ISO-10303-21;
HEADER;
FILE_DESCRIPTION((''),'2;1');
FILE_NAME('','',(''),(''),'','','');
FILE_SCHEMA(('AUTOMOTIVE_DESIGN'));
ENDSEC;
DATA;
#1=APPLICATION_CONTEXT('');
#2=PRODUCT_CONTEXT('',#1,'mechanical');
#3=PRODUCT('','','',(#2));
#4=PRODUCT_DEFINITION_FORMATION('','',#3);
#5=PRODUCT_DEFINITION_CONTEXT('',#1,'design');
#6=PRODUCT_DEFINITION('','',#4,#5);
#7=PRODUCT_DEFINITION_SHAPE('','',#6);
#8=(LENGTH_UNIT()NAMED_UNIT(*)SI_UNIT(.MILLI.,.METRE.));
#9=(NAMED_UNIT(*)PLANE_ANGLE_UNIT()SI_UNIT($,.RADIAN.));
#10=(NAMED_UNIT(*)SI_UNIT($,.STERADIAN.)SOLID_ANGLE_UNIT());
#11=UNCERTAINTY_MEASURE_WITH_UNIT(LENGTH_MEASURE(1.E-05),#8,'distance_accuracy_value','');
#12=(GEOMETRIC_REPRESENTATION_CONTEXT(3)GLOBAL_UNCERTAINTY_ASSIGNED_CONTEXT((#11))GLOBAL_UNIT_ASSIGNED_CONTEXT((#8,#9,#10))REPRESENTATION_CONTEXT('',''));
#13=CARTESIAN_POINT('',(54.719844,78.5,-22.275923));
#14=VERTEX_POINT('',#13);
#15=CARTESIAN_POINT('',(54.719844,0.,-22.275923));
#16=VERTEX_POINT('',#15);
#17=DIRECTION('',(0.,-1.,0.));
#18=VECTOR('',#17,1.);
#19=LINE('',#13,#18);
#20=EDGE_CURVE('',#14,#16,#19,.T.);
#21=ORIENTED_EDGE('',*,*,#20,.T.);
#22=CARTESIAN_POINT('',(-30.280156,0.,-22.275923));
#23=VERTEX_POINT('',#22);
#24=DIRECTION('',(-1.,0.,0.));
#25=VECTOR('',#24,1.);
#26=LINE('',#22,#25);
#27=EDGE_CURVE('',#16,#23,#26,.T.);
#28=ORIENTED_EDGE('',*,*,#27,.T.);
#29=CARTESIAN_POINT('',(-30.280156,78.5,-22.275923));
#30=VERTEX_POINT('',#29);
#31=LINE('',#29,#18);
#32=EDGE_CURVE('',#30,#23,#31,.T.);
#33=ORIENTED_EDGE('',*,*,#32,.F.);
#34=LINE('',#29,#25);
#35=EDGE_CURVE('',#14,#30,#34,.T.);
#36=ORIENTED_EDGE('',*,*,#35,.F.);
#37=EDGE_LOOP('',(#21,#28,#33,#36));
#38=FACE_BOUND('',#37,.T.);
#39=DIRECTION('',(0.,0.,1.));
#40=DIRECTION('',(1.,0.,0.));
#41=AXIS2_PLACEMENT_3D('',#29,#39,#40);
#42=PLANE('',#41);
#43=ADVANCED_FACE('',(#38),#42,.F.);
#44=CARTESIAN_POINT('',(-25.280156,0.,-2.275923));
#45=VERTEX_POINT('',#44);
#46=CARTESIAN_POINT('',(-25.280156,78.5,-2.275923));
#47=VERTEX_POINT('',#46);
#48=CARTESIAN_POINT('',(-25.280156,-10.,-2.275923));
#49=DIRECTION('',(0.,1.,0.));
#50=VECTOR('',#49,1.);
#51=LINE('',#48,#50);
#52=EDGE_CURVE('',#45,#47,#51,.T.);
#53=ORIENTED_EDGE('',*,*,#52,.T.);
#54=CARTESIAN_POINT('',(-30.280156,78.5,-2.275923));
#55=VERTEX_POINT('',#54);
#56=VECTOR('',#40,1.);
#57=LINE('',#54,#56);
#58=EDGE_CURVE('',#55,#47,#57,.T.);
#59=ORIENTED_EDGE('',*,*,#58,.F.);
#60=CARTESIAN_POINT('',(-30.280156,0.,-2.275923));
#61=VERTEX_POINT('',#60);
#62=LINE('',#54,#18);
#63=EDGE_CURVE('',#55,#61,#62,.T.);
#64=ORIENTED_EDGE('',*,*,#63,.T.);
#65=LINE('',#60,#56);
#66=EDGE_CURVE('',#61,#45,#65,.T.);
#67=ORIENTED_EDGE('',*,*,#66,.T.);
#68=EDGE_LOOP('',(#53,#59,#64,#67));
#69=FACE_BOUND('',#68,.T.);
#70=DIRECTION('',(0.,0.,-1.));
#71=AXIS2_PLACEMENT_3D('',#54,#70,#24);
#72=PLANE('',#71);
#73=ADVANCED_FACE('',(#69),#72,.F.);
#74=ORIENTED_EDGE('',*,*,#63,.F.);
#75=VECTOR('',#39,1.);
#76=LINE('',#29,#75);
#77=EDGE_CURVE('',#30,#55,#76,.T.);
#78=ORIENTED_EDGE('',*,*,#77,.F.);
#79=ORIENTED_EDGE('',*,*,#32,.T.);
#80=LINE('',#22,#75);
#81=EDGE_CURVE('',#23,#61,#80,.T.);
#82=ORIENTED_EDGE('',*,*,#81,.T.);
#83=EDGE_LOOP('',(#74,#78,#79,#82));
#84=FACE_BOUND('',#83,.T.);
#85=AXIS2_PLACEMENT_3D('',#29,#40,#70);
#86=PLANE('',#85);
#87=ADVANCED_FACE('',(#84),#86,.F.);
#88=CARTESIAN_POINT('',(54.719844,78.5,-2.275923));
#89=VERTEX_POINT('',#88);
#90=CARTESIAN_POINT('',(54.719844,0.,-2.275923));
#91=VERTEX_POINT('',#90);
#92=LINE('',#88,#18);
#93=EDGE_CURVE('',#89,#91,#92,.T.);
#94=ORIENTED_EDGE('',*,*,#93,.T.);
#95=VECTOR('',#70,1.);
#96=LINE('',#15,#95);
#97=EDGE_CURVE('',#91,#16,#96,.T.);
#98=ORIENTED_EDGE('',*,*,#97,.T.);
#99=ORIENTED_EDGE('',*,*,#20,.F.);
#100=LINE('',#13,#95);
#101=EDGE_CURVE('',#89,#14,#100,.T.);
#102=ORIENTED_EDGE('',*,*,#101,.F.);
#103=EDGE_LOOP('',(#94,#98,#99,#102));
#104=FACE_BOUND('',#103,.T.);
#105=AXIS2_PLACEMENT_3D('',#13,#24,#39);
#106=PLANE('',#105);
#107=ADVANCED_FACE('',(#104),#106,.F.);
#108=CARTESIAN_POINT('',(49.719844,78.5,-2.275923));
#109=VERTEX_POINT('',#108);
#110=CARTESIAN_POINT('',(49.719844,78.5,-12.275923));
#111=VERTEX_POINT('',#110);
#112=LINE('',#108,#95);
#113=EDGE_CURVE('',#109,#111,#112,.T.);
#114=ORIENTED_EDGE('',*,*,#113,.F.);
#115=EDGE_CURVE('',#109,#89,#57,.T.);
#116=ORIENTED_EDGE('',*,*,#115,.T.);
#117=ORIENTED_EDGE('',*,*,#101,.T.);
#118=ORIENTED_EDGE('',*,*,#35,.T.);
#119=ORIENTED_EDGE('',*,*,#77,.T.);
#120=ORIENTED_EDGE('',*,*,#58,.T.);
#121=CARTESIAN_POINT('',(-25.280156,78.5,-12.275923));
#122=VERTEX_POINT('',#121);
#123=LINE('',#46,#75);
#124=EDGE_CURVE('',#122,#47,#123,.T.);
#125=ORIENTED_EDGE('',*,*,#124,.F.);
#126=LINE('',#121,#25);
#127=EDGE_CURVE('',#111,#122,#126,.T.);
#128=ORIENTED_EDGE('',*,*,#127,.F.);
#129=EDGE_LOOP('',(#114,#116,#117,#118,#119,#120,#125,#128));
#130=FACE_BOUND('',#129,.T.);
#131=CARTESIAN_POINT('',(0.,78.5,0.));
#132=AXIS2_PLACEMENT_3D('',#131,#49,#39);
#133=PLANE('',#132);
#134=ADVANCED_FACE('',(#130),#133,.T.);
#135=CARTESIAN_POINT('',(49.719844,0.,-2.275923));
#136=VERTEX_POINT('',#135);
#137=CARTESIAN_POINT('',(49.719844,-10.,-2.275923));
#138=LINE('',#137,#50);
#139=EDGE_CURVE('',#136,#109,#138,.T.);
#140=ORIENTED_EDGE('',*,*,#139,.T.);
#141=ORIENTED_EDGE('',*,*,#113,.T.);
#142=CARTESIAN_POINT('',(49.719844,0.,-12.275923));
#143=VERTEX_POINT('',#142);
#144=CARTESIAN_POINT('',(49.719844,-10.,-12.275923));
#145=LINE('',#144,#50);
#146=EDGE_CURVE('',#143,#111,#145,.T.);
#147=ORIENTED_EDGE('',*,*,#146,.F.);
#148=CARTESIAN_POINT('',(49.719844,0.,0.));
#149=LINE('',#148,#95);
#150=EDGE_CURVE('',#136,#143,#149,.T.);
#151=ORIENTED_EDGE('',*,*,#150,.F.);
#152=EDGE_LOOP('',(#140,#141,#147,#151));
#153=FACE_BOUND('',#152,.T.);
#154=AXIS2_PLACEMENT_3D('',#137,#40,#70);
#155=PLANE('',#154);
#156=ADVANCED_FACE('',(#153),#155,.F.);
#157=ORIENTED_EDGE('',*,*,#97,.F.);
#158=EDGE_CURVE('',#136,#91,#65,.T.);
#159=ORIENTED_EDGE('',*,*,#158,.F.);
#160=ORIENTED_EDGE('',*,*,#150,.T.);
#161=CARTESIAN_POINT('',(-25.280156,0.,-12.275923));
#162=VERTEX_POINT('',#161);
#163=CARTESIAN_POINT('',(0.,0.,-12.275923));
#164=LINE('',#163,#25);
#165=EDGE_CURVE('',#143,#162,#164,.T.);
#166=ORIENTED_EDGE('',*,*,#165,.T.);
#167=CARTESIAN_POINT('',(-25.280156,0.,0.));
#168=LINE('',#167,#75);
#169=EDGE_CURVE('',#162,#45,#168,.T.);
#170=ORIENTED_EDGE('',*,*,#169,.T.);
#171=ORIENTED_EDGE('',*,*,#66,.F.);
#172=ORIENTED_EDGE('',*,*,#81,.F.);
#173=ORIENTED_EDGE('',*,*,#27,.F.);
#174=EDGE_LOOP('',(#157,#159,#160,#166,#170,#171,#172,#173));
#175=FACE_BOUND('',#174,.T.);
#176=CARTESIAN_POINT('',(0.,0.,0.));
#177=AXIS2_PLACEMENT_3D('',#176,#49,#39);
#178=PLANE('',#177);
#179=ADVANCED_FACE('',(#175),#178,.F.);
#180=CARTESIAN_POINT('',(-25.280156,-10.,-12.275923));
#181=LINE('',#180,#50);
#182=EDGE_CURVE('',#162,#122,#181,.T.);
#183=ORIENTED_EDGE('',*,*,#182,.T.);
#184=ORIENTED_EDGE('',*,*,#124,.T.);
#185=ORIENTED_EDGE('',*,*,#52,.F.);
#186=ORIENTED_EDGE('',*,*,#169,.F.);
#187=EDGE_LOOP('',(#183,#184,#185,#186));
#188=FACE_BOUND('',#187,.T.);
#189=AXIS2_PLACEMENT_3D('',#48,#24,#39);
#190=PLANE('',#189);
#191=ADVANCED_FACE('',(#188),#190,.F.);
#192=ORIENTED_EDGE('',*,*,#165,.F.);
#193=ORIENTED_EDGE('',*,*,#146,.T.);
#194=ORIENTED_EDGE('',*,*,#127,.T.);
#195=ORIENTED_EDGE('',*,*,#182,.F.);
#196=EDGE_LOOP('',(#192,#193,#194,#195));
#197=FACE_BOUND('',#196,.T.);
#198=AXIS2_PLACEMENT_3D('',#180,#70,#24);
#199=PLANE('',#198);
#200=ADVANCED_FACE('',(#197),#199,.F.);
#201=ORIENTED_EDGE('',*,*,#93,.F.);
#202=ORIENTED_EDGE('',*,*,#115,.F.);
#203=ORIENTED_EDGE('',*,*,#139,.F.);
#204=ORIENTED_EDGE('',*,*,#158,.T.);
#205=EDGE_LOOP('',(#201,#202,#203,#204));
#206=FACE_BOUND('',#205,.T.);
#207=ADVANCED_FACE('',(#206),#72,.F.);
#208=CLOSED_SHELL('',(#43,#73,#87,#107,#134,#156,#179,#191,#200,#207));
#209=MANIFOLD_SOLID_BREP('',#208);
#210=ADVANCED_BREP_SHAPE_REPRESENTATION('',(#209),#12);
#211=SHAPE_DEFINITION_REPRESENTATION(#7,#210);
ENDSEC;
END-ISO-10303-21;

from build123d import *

# Parameters (mm, degrees)
SKETCH1_W           = 85
SKETCH1_H           = 20
BOSS_EXTRUDE1_DEPTH = 78.5
SKETCH2_W           = 75
SKETCH2_H           = 10
CUT_EXTRUDE1_DEPTH  = 88.5


with BuildPart() as part:
    # Sketch1 → Boss-Extrude1 (new body)
    with BuildSketch(Plane(origin=(0, 0, 0), x_dir=(1, 0, 0), z_dir=(0, 1, 0))):
        with Locations((12.219844181, 12.275922657)):
            Rectangle(SKETCH1_W, SKETCH1_H)
    extrude(amount=BOSS_EXTRUDE1_DEPTH)

    # Sketch2 → Cut-Extrude1 (cut)
    with BuildSketch(Plane(origin=(0, 78.5, 0), x_dir=(1, 0, 0), z_dir=(0, 1, 0))):
        with Locations((12.219844181, 7.275922657)):
            Rectangle(SKETCH2_W, SKETCH2_H)
    extrude(amount=-CUT_EXTRUDE1_DEPTH, mode=Mode.SUBTRACT)


solid = part.part
